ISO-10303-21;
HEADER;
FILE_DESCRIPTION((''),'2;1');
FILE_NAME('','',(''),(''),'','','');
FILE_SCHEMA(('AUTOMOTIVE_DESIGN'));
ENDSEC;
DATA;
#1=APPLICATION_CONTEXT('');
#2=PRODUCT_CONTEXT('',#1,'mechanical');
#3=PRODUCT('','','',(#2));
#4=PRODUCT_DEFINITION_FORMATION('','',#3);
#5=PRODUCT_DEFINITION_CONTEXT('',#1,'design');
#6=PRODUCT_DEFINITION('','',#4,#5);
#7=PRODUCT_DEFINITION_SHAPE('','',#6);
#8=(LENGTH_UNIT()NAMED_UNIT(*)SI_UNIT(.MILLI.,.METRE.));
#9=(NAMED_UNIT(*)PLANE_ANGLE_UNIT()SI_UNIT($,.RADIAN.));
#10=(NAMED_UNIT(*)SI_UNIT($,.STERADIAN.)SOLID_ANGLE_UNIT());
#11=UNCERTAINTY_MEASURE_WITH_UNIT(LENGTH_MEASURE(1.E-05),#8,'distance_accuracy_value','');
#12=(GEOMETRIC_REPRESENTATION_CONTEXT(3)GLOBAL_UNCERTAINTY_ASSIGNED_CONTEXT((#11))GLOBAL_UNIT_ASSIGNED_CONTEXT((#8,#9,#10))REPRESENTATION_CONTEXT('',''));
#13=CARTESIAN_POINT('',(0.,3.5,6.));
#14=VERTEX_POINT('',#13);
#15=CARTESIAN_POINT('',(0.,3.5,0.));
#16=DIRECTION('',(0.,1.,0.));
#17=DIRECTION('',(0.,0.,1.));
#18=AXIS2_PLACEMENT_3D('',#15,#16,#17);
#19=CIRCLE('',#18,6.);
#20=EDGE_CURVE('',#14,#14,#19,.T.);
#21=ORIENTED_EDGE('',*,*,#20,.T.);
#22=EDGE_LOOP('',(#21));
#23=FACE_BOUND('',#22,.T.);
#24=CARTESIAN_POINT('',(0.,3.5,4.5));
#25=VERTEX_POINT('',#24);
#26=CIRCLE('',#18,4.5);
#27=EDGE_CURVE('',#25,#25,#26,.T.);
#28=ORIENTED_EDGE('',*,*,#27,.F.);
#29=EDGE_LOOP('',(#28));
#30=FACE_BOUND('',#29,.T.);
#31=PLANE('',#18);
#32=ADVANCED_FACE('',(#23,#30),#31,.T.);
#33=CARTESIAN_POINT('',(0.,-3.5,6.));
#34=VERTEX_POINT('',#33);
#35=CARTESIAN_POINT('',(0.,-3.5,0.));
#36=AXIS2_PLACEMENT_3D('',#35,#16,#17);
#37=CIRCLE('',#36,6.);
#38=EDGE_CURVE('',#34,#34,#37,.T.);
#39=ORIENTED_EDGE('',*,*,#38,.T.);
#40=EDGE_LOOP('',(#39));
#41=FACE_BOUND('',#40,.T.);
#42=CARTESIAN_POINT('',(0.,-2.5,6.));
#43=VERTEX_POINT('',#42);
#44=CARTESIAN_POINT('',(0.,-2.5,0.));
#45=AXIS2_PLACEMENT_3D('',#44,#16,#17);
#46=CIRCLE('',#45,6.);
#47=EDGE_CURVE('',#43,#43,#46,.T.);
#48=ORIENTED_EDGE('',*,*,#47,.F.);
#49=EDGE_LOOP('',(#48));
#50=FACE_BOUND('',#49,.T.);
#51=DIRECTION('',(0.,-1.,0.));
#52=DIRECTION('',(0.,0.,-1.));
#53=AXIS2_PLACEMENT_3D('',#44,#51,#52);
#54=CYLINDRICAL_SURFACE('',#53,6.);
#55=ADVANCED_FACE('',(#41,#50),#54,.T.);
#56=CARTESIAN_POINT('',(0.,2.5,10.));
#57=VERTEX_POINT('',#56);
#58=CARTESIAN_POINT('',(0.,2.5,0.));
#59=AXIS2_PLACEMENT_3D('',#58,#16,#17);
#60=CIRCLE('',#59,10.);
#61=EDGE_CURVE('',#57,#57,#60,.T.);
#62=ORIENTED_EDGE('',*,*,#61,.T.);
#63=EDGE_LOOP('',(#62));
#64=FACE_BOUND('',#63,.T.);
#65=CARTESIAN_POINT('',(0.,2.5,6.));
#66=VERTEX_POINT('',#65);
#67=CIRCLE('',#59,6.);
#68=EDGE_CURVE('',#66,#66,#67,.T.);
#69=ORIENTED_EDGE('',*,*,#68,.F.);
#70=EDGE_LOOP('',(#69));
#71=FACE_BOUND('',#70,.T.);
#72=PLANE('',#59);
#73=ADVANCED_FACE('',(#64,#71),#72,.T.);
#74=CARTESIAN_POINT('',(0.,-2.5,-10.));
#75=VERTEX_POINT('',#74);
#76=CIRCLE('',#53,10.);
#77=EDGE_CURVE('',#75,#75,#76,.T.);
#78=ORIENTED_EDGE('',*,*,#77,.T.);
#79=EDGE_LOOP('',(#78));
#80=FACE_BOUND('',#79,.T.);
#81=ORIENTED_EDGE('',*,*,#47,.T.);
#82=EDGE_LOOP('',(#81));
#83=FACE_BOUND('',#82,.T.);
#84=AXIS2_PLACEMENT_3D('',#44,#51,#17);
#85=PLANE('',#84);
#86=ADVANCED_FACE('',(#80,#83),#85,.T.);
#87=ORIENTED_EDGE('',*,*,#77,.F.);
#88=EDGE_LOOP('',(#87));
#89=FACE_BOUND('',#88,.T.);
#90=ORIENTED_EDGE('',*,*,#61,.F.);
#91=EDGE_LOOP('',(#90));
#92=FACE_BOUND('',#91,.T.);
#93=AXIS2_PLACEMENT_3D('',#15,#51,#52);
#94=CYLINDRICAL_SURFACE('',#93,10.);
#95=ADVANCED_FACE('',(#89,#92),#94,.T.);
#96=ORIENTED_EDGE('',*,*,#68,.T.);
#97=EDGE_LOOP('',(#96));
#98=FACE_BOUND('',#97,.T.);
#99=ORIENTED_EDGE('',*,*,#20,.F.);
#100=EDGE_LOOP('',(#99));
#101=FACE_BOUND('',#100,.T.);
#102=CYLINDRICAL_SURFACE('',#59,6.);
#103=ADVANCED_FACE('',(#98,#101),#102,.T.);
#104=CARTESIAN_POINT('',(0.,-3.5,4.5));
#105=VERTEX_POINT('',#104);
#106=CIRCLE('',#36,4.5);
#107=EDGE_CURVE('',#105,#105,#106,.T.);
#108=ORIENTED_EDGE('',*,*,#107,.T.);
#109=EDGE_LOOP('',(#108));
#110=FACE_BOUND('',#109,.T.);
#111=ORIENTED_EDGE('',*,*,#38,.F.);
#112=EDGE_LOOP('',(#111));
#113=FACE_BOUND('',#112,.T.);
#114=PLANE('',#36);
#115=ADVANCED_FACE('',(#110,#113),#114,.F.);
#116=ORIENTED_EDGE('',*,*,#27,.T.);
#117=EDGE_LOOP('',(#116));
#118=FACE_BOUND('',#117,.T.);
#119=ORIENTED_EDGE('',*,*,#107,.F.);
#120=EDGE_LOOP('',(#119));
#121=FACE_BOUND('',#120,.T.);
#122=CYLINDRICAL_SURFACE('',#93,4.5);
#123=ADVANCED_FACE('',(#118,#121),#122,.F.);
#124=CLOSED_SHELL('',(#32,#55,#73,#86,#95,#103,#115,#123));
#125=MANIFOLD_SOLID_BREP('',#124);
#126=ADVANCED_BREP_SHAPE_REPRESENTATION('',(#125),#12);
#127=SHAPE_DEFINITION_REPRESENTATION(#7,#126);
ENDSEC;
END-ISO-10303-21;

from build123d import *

# Parameters (mm, degrees)
SKETCH1_R           = 10
SKETCH1_R_2         = 4.5
BOSS_EXTRUDE1_DEPTH = 3.5
SKETCH2_R           = 13
SKETCH2_R_2         = 6
CUT_EXTRUDE1_DEPTH  = 1


with BuildPart() as part:
    # Sketch1 → Boss-Extrude1 (new, symmetric)
    with BuildSketch(Plane(origin=(0, 0, 0), x_dir=(1, 0, 0), z_dir=(0, 1, 0))):
        with Locations(Location((0, 0, 0), (0, 0, 270))):
            Circle(SKETCH1_R)
        with Locations(Location((0, 0, 0), (0, 0, 270))):
            Circle(SKETCH1_R_2, mode=Mode.SUBTRACT)
    extrude(amount=BOSS_EXTRUDE1_DEPTH, both=True)

    # Sketch2 → Cut-Extrude1 (cut)
    with BuildSketch(Plane(origin=(0, 3.5, 0), x_dir=(1, 0, 0), z_dir=(0, 1, 0))):
        Circle(SKETCH2_R)
        with Locations(Location((0, 0, 0), (0, 0, 270))):
            Circle(SKETCH2_R_2, mode=Mode.SUBTRACT)
    cut_extrude1 = extrude(amount=-CUT_EXTRUDE1_DEPTH, mode=Mode.SUBTRACT)

    # Mirror1: Cut-Extrude1 across plane
    add(cut_extrude1.mirror(Plane.ZX), mode=Mode.SUBTRACT)


solid = part.part
